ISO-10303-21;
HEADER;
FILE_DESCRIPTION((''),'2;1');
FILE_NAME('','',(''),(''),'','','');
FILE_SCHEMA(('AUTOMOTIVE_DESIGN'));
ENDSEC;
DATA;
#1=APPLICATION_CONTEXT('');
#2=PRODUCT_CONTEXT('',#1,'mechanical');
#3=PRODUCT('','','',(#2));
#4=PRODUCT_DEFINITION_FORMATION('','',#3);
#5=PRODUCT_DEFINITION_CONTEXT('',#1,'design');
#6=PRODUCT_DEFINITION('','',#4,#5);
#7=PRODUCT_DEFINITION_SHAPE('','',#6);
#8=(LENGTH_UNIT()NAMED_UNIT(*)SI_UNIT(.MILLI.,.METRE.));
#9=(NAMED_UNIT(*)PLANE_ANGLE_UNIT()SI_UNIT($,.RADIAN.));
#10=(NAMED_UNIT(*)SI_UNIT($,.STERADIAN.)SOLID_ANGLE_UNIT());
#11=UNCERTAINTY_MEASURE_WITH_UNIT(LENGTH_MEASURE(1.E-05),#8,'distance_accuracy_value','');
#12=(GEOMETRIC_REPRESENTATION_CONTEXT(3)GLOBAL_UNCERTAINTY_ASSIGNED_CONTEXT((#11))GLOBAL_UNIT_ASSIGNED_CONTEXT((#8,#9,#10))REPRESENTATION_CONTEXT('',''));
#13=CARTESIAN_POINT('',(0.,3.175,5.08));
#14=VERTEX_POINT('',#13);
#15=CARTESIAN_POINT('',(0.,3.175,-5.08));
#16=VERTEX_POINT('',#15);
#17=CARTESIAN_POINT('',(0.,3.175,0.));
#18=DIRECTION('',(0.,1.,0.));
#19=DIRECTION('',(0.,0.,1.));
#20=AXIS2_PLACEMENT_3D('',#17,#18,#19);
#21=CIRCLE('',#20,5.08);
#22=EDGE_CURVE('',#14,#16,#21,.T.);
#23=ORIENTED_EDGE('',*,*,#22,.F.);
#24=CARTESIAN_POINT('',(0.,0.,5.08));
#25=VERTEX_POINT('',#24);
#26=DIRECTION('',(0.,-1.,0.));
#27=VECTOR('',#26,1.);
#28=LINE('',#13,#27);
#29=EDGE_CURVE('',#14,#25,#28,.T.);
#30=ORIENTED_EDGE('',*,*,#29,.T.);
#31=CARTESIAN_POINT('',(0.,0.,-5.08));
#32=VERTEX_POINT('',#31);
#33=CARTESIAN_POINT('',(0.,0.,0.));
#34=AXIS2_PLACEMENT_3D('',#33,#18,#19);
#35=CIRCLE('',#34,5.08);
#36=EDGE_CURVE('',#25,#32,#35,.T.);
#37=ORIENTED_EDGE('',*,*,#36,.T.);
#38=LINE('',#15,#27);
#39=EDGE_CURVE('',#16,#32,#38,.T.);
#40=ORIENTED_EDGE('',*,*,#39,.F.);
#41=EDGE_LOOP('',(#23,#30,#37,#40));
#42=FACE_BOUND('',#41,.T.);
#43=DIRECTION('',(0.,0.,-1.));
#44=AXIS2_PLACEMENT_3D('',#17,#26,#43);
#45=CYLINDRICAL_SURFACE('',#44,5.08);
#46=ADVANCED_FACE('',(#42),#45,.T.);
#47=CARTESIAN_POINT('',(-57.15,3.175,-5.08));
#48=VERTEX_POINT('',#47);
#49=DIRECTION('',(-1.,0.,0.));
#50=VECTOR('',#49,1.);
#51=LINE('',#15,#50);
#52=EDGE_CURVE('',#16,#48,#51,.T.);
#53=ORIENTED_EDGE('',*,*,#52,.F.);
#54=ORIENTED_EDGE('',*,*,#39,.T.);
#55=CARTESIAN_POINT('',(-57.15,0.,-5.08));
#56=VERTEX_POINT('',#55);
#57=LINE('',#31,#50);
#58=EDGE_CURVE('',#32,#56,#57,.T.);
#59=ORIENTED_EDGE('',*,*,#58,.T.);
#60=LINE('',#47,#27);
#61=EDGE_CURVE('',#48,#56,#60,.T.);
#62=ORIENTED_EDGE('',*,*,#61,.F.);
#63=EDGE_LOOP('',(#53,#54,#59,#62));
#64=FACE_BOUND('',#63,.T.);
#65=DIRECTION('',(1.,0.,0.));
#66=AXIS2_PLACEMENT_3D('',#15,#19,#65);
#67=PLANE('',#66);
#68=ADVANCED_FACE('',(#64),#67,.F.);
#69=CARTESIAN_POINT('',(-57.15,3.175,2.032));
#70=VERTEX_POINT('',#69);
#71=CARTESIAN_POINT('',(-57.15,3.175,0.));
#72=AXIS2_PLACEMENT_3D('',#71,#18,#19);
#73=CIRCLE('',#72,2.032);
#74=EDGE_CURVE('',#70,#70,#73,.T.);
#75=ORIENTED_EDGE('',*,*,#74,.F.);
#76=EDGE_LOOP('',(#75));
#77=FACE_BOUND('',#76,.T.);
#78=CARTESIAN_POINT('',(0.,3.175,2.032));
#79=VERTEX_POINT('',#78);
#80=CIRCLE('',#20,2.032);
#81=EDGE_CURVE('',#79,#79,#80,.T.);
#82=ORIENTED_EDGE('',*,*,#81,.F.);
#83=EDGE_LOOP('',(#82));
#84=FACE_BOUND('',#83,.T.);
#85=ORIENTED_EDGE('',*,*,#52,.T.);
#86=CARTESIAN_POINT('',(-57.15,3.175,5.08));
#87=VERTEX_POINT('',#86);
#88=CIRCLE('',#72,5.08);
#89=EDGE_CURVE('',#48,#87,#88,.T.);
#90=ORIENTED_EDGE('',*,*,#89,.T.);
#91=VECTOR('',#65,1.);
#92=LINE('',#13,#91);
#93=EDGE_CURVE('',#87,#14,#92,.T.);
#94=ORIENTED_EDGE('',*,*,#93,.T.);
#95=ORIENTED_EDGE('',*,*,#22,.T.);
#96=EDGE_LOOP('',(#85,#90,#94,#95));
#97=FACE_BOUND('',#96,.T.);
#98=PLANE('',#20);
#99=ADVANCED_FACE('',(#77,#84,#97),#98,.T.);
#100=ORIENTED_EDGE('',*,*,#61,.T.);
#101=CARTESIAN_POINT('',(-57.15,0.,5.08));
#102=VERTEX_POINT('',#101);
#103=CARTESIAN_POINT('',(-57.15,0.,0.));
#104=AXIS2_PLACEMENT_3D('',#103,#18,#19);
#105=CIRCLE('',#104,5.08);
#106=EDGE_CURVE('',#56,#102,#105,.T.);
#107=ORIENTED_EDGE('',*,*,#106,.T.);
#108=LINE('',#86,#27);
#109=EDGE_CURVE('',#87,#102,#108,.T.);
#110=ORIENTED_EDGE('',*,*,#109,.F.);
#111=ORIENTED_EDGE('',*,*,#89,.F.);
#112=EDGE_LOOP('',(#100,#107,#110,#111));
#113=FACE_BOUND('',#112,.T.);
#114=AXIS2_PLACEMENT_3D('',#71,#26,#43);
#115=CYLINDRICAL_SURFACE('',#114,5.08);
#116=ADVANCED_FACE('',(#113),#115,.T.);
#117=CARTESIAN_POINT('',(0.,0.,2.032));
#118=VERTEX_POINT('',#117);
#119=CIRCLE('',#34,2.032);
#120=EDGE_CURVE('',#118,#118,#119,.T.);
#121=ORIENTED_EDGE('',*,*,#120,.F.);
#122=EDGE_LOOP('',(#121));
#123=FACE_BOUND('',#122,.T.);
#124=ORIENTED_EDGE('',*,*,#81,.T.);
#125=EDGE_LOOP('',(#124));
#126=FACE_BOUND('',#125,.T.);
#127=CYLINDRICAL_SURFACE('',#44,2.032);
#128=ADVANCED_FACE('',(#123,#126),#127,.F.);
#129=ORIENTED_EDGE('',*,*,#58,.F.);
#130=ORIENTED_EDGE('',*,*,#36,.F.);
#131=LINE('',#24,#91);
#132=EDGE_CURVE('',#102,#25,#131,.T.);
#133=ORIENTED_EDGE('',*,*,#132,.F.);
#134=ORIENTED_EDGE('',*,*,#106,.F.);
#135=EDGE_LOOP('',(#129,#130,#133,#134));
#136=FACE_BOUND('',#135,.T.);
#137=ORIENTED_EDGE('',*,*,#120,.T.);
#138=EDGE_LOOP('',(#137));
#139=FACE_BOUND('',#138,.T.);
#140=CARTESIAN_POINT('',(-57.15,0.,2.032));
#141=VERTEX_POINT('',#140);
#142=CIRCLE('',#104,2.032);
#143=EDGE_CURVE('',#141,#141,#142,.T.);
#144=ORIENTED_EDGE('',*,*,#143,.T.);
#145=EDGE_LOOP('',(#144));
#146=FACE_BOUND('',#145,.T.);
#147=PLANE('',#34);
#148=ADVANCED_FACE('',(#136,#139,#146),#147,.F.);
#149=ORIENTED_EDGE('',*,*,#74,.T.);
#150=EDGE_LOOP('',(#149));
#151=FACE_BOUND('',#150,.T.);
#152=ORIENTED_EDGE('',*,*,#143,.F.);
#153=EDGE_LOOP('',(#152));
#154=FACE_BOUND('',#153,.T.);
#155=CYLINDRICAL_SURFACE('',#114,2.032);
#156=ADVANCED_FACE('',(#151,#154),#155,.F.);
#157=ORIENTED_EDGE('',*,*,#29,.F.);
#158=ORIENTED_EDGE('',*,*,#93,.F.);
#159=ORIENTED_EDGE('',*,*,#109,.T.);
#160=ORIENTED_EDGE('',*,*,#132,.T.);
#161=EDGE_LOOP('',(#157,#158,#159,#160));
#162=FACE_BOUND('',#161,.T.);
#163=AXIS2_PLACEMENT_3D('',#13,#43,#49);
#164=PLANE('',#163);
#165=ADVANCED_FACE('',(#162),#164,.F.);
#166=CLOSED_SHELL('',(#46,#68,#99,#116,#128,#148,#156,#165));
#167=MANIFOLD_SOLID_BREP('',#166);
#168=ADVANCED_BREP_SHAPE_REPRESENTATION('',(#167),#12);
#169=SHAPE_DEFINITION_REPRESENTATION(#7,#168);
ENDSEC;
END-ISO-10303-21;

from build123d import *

# Parameters (mm, degrees)
SKETCH1_R           = 2.032
BOSS_EXTRUDE1_DEPTH = 3.175


with BuildPart() as part:
    # Sketch1 → Boss-Extrude1 (new body)
    with BuildSketch(Plane(origin=(0, 0, 0), x_dir=(1, 0, 0), z_dir=(0, 1, 0))):
        with BuildLine():
            Line((0, -5.08), (-57.15, -5.08))
            ThreePointArc((-57.15, -5.08), (-62.23, 0), (-57.15, 5.08))
            Line((-57.15, 5.08), (0, 5.08))
            ThreePointArc((0, 5.08), (5.08, 0), (0, -5.08))
        make_face()
        with Locations(Location((-57.15, 0, 0), (0, 0, 270))):
            Circle(SKETCH1_R, mode=Mode.SUBTRACT)
        with Locations(Location((0, 0, 0), (0, 0, 270))):
            Circle(SKETCH1_R, mode=Mode.SUBTRACT)
    extrude(amount=BOSS_EXTRUDE1_DEPTH)


solid = part.part
